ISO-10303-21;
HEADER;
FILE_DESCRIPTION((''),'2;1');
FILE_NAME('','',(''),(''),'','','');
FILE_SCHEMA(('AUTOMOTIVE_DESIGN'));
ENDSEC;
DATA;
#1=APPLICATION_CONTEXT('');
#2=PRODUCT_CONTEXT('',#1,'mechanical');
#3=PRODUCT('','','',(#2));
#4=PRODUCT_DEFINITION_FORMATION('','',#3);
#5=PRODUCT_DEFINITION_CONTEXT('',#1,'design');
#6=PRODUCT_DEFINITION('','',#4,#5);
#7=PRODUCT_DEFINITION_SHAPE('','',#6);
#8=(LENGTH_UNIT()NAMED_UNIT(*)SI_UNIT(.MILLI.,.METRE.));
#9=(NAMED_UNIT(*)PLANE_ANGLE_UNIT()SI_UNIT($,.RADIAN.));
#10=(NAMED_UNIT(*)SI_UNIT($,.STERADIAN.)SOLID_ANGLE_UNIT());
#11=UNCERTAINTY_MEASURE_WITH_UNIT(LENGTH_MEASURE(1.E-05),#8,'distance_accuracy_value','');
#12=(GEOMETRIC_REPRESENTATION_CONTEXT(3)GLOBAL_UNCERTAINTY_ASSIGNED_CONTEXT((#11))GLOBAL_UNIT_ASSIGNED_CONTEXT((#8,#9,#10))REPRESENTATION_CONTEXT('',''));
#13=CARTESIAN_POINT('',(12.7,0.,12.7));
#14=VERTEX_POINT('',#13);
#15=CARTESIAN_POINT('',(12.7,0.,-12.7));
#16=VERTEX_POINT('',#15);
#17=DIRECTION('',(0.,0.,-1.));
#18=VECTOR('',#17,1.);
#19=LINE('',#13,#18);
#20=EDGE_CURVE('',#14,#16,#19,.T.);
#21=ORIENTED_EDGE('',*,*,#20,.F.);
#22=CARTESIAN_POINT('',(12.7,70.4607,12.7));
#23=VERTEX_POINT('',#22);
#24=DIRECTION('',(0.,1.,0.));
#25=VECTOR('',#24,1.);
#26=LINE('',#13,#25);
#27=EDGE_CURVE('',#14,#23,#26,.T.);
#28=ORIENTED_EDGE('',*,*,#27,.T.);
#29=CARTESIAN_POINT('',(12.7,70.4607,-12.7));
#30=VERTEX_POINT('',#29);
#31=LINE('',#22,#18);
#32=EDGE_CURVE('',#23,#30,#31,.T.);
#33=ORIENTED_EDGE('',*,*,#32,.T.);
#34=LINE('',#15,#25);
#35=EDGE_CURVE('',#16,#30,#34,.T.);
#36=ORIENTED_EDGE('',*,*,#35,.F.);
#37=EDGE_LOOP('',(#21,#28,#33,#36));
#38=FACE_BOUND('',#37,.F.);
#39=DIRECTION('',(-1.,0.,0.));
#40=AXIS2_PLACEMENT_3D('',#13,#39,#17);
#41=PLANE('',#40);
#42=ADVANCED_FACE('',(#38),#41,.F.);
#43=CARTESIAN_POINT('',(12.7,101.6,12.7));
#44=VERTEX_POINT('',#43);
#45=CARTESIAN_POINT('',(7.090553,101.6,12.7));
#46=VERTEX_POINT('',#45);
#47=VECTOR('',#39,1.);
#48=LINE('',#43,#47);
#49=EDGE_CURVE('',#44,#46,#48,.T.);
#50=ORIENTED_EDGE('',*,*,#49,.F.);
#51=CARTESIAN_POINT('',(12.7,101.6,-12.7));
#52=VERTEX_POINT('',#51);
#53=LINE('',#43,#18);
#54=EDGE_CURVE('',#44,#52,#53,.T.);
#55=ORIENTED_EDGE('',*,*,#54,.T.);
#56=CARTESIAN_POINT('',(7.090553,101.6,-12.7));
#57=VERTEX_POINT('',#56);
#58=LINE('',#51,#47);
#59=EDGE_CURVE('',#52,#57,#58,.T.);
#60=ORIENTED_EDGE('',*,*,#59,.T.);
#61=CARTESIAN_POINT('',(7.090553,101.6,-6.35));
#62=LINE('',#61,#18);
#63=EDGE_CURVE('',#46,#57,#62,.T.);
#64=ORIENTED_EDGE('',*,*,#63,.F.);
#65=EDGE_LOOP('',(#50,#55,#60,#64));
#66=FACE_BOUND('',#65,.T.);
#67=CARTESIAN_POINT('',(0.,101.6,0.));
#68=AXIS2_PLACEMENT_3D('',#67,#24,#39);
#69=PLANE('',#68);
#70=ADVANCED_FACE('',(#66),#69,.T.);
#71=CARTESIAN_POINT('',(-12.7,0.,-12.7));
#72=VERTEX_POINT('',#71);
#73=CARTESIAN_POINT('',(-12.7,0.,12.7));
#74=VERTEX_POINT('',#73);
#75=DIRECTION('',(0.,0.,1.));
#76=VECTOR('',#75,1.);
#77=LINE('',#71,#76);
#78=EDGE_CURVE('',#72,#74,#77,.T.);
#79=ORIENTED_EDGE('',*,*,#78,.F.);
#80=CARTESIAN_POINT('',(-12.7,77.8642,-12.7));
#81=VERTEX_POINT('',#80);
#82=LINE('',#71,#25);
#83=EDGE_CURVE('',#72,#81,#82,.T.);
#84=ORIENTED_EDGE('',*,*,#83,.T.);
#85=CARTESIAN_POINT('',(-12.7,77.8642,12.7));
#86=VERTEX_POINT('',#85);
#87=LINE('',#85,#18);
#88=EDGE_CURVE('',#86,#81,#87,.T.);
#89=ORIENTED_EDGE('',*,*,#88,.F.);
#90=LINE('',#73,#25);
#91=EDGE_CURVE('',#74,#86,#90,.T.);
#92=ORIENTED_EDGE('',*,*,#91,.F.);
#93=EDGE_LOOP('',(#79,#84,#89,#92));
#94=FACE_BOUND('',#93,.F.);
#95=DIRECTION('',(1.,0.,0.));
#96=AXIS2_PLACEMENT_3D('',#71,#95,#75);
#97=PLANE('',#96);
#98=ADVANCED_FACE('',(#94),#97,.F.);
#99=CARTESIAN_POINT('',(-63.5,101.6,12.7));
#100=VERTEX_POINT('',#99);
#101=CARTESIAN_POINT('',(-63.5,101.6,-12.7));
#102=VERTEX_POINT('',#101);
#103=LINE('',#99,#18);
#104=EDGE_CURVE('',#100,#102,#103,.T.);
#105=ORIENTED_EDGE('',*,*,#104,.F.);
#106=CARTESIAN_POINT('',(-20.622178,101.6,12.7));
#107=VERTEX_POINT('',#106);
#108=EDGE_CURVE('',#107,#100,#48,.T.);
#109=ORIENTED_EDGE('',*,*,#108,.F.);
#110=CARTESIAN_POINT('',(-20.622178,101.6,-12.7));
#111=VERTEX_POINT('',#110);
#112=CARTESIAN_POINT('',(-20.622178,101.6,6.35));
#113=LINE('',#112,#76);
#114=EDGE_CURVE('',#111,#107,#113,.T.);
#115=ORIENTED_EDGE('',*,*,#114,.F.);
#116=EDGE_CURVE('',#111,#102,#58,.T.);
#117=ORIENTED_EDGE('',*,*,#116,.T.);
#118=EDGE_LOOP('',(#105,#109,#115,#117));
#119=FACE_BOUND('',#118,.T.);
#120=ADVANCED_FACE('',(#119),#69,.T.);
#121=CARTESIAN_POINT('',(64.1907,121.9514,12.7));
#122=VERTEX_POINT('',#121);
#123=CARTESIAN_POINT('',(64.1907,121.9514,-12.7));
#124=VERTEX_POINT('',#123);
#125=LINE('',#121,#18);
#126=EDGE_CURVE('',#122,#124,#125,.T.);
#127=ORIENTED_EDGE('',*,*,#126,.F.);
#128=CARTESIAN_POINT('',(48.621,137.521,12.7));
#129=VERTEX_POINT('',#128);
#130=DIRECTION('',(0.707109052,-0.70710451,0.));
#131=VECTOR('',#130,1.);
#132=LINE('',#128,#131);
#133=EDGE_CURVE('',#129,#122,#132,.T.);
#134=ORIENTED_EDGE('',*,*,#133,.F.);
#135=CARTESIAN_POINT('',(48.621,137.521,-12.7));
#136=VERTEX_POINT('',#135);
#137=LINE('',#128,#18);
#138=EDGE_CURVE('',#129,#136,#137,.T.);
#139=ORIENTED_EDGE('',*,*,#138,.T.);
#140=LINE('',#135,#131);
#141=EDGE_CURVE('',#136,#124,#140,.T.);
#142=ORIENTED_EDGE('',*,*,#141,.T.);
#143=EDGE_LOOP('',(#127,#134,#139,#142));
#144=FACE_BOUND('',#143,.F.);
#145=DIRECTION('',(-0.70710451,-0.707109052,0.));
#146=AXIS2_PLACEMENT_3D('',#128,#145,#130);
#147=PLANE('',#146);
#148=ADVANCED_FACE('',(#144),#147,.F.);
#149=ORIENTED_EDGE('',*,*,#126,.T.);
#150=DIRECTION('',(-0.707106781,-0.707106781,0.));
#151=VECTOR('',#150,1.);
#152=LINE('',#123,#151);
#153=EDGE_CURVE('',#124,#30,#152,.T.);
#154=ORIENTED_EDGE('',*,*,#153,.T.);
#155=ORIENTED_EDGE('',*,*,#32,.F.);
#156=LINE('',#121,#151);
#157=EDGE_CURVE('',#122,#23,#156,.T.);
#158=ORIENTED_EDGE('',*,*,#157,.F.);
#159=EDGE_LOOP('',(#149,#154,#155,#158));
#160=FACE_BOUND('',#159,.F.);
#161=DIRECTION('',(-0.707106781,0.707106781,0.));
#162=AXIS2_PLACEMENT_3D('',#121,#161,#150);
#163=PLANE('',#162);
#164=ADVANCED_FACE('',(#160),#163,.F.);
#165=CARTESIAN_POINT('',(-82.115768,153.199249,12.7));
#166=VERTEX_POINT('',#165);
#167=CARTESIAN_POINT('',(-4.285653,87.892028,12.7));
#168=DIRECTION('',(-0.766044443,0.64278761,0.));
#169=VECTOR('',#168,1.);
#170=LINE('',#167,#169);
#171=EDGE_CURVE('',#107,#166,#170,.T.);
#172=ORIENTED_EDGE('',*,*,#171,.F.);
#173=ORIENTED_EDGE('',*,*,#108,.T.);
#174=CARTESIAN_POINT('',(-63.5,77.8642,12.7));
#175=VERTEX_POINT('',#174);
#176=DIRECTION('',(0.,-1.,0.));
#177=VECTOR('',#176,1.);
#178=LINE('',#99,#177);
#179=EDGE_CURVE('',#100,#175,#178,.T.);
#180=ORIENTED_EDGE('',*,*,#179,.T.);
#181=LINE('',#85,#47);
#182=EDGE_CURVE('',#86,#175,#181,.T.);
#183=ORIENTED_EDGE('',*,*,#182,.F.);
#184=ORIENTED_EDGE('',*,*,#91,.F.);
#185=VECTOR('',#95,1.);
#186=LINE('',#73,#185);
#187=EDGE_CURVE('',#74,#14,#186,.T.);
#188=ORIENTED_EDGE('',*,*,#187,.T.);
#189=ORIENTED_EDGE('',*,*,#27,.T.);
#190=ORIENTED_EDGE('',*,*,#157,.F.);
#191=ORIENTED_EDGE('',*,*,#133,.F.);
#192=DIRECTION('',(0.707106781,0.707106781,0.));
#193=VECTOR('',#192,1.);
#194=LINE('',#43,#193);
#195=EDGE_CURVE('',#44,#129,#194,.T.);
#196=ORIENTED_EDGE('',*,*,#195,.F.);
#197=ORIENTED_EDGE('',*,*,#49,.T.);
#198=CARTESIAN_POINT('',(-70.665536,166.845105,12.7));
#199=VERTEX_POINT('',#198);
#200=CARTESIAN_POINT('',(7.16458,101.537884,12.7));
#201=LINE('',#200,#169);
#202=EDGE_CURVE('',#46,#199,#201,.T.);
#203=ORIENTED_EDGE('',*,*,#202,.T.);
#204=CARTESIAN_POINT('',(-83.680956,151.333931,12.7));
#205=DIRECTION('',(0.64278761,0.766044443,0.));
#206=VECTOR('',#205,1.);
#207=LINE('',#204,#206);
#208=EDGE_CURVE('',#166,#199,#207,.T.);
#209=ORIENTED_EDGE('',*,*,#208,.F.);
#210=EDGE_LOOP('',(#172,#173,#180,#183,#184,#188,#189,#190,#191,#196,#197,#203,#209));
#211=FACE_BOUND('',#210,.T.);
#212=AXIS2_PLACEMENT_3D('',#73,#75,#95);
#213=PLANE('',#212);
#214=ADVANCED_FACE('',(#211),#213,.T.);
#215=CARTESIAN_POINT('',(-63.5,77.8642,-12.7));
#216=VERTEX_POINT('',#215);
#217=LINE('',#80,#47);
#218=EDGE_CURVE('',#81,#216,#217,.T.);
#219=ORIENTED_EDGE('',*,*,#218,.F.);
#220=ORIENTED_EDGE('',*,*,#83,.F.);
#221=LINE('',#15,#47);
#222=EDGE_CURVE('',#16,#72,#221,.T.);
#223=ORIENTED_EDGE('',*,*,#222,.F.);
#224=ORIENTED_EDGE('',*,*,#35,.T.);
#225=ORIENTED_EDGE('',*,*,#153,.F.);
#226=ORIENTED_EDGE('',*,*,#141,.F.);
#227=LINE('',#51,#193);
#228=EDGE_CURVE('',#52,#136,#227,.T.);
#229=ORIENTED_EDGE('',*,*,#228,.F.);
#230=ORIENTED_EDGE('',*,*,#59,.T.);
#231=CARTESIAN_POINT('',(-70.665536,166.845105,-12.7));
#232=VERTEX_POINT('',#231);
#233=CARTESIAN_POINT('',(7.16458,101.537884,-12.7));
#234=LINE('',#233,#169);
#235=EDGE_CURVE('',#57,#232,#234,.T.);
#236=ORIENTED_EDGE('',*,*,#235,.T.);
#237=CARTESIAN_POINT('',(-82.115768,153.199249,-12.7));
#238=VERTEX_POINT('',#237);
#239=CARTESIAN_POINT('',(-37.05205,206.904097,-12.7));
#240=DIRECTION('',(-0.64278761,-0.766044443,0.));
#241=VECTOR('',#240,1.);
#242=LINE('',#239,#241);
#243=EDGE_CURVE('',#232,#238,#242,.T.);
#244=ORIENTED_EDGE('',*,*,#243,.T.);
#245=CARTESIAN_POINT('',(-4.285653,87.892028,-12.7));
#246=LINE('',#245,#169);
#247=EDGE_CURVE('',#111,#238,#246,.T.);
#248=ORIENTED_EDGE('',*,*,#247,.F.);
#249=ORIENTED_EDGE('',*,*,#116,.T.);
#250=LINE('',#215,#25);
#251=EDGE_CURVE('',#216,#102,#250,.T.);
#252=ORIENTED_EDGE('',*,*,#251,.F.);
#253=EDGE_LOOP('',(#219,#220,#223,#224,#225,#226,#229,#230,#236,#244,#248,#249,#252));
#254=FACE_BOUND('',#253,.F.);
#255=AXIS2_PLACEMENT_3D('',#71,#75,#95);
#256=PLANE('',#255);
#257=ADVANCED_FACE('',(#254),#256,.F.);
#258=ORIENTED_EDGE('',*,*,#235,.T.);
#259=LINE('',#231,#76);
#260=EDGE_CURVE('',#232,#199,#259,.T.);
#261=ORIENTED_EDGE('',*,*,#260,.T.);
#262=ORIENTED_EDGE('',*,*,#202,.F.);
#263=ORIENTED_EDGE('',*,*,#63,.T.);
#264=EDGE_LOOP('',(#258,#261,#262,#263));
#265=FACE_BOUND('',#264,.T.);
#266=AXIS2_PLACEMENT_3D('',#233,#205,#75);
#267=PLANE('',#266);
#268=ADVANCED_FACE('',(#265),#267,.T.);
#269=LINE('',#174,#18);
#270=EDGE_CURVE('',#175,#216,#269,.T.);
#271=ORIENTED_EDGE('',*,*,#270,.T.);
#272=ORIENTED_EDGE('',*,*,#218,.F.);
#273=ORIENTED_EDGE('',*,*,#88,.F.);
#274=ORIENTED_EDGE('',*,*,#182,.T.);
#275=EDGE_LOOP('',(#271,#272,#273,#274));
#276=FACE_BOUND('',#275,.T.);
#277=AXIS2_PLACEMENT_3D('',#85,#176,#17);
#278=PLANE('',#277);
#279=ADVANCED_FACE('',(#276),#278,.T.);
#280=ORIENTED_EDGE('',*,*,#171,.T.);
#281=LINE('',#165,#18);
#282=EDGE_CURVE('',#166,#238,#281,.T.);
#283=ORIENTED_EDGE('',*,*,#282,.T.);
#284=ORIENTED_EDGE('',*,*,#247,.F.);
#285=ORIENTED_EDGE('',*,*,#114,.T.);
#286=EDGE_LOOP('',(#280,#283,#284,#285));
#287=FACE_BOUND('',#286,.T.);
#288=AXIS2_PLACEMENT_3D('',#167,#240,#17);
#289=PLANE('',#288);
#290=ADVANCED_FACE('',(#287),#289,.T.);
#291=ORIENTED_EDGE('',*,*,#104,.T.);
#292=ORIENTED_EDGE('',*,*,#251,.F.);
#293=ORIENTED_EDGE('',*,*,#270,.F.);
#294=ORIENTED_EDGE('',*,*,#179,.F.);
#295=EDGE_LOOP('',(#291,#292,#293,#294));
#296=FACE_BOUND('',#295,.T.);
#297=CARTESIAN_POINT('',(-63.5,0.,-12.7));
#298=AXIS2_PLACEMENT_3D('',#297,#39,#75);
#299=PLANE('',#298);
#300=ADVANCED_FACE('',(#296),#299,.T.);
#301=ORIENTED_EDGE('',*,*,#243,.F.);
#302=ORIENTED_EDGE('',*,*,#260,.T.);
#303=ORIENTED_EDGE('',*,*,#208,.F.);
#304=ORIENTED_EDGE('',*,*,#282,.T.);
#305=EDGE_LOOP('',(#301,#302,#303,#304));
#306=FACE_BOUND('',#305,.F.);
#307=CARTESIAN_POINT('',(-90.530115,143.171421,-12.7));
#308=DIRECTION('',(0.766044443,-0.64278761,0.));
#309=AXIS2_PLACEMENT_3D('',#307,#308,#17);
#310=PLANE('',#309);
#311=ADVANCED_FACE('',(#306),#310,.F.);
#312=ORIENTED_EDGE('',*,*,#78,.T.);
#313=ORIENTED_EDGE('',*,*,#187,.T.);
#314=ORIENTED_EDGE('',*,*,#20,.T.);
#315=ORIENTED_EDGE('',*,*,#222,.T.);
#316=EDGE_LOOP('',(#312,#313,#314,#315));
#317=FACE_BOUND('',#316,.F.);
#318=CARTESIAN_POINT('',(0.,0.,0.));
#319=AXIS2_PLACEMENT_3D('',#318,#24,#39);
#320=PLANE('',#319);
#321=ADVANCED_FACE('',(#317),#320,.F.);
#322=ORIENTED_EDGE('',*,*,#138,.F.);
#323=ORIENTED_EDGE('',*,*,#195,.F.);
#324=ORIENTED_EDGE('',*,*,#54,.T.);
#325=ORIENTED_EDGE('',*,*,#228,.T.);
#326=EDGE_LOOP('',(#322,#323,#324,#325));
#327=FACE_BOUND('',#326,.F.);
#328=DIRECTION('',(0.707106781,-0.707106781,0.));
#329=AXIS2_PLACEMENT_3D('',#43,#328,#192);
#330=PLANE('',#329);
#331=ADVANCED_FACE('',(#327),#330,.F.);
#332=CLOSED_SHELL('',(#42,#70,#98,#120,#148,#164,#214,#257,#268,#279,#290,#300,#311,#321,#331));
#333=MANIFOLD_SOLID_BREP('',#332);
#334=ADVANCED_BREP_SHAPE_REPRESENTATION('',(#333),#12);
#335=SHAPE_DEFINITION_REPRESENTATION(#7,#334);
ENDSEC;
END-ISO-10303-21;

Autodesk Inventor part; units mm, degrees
ref_plane "XZ Plane" through (0, 0, 0) normal (0, 1, 0) x (-1, 0, 0)
ref_plane "XY Plane" through (0, 0, 0) normal (0, 0, 1) x (1, 0, 0)
sketch "Sketch1" plane through (0, 0, 0) normal (0, 1, 0) x (-1, 0, 0)
  line L0 (-12.7, 12.7) -> (-12.7, -12.7)
  line L1 (-12.7, -12.7) -> (12.7, -12.7)
  line L2 (12.7, -12.7) -> (12.7, 12.7)
  line L3 (12.7, 12.7) -> (-12.7, 12.7)
  line L4 (-12.7, 12.7) -> (12.7, -12.7) construction
  line L5 (-12.7, -12.7) -> (12.7, 12.7) construction
  point P0 (0, 0)
  dimension "d0" = 25.4
extrude "Extrusion1" add sketch "Sketch1" along normal blind 101.6
sketch "Sketch3" plane through (-12.7, 0, -12.7) normal (-1, 0, 0) x (0, 0, 1)
  line L0 (25.4, 101.6) -> (0, 101.6) projected
  line L1 (0, 101.6) -> (25.4, 101.6)
  line L2 (25.4, 101.6) -> (25.4, 77.8642)
  line L3 (25.4, 77.8642) -> (0, 77.8642)
  line L4 (0, 77.8642) -> (0, 101.6)
  point P0 (12.7, 0)
extrude "Extrusion3" add sketch "Sketch3" along normal blind 50.8
sketch "Sketch4" plane through (-12.7, 0, 12.7) normal (0, 0, 1) x (1, 0, 0)
  line L0 (25.4, 0) -> (25.4, 101.6) projected
  line L1 (25.4, 101.6) -> (61.321, 137.521)
  line L2 (25.4, 101.6) -> (76.2, 101.6) construction
  line L3 (61.321, 137.521) -> (76.8907, 121.9514)
  line L4 (76.8907, 121.9514) -> (25.4, 70.4607)
  point P0 (12.7, 0)
  dimension "d7" = 50.8
  dimension "d8" = 45
extrude "Extrusion4" add sketch "Sketch4" against normal blind 25.4
ref_plane "Work Plane2" through (-12.7, 77.8642, -12.7) normal (0.766, -0.6428, 0) x (0, 0, -1)
sketch "Sketch6" plane through (-12.7, 77.8642, -12.7) normal (0.766, -0.6428, 0) x (0, 0, -1)
  line L0 (0, 83.1971) -> (0, 10.6554) projected
  line L1 (-25.4, 10.6554) -> (-25.4, 83.1971) projected
  line L2 (0, 30.9038) -> (-25.4, 30.9038)
  line L3 (-25.4, 30.9038) -> (-25.4, 13.0904)
  line L4 (-25.4, 13.0904) -> (0, 13.0904)
  line L5 (0, 13.0904) -> (0, 30.9038)
  point P0 (-12.7, -51.4841)
  point P1 (0, 13.0904)
  point P2 (-25.4, 30.9038)
extrude "Extrusion6" add sketch "Sketch6" against normal blind 101.6
sketch "Sketch7" plane through (-12.7, 77.8642, -12.7) normal (0.766, -0.6428, 0) x (0, 0, -1)
  point P0 (-12.7, -51.4841)
properties part number "example01"
